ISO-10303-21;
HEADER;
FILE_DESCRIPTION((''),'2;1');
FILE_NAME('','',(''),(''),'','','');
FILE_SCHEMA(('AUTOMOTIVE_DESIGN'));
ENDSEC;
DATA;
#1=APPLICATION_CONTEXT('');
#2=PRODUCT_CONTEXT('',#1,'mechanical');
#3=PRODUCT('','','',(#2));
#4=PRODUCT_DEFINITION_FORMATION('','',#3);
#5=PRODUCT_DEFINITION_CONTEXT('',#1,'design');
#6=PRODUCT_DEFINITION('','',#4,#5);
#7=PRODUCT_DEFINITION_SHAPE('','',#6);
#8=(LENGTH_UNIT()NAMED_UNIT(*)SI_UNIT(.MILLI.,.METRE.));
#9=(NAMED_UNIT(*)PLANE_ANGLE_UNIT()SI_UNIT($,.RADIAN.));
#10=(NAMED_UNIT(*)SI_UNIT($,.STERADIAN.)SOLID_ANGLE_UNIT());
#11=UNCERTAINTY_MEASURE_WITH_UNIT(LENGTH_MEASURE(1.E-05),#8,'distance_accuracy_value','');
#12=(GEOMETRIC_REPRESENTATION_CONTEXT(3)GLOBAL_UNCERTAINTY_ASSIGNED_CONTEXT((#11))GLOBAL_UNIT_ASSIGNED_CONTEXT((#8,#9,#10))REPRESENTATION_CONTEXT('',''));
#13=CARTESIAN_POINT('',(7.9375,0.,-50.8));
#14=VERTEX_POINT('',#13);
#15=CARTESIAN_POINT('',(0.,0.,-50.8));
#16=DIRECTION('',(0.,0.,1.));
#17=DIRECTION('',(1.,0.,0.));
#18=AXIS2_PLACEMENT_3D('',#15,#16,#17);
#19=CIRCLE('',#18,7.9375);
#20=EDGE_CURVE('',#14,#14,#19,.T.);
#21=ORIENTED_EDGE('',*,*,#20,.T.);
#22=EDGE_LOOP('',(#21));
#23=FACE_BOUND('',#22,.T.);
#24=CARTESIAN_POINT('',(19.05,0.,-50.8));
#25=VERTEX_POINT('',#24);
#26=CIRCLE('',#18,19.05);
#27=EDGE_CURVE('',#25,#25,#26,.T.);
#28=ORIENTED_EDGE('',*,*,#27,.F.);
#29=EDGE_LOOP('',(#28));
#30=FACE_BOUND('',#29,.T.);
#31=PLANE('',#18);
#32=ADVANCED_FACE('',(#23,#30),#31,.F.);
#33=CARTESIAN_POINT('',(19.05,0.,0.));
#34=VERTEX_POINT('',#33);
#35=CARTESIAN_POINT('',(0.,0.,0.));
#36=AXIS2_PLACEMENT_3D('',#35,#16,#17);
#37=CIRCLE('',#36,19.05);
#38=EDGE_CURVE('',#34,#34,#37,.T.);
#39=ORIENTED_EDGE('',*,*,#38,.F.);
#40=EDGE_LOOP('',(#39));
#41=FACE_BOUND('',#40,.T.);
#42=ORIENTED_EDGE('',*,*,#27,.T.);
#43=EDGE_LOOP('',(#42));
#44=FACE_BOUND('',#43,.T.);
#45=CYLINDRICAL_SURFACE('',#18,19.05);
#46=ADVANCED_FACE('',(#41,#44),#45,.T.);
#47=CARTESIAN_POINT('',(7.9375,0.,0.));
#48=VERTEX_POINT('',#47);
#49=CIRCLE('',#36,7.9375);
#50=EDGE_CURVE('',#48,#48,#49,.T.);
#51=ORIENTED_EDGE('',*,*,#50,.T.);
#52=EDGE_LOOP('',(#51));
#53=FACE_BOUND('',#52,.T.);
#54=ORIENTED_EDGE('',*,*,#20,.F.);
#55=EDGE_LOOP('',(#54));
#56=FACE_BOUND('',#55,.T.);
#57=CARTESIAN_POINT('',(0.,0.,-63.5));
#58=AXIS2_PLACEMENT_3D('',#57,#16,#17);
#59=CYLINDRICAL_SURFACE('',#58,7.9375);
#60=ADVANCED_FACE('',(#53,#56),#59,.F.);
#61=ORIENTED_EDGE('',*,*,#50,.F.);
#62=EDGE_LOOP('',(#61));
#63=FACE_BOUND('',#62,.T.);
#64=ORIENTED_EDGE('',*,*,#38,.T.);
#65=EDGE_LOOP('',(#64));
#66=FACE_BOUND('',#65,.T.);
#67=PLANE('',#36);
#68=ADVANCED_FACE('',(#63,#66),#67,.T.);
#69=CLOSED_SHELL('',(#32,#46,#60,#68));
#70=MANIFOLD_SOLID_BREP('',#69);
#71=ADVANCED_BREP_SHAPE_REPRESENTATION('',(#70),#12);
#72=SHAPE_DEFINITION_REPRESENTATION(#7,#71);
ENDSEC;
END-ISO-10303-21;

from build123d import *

# Parameters (mm, degrees)
SKETCH1_R           = 19.05
BOSS_EXTRUDE1_DEPTH = 50.8
SKETCH2_R           = 7.9375
CUT_EXTRUDE1_DEPTH  = 63.5


with BuildPart() as part:
    # Sketch1 → Boss-Extrude1 (new body)
    with BuildSketch(Plane.XY):
        Circle(SKETCH1_R)
    extrude(amount=-BOSS_EXTRUDE1_DEPTH)

    # Sketch2 → Cut-Extrude1 (cut)
    with BuildSketch(Plane.XY):
        Circle(SKETCH2_R)
    extrude(amount=-CUT_EXTRUDE1_DEPTH, mode=Mode.SUBTRACT)


solid = part.part
